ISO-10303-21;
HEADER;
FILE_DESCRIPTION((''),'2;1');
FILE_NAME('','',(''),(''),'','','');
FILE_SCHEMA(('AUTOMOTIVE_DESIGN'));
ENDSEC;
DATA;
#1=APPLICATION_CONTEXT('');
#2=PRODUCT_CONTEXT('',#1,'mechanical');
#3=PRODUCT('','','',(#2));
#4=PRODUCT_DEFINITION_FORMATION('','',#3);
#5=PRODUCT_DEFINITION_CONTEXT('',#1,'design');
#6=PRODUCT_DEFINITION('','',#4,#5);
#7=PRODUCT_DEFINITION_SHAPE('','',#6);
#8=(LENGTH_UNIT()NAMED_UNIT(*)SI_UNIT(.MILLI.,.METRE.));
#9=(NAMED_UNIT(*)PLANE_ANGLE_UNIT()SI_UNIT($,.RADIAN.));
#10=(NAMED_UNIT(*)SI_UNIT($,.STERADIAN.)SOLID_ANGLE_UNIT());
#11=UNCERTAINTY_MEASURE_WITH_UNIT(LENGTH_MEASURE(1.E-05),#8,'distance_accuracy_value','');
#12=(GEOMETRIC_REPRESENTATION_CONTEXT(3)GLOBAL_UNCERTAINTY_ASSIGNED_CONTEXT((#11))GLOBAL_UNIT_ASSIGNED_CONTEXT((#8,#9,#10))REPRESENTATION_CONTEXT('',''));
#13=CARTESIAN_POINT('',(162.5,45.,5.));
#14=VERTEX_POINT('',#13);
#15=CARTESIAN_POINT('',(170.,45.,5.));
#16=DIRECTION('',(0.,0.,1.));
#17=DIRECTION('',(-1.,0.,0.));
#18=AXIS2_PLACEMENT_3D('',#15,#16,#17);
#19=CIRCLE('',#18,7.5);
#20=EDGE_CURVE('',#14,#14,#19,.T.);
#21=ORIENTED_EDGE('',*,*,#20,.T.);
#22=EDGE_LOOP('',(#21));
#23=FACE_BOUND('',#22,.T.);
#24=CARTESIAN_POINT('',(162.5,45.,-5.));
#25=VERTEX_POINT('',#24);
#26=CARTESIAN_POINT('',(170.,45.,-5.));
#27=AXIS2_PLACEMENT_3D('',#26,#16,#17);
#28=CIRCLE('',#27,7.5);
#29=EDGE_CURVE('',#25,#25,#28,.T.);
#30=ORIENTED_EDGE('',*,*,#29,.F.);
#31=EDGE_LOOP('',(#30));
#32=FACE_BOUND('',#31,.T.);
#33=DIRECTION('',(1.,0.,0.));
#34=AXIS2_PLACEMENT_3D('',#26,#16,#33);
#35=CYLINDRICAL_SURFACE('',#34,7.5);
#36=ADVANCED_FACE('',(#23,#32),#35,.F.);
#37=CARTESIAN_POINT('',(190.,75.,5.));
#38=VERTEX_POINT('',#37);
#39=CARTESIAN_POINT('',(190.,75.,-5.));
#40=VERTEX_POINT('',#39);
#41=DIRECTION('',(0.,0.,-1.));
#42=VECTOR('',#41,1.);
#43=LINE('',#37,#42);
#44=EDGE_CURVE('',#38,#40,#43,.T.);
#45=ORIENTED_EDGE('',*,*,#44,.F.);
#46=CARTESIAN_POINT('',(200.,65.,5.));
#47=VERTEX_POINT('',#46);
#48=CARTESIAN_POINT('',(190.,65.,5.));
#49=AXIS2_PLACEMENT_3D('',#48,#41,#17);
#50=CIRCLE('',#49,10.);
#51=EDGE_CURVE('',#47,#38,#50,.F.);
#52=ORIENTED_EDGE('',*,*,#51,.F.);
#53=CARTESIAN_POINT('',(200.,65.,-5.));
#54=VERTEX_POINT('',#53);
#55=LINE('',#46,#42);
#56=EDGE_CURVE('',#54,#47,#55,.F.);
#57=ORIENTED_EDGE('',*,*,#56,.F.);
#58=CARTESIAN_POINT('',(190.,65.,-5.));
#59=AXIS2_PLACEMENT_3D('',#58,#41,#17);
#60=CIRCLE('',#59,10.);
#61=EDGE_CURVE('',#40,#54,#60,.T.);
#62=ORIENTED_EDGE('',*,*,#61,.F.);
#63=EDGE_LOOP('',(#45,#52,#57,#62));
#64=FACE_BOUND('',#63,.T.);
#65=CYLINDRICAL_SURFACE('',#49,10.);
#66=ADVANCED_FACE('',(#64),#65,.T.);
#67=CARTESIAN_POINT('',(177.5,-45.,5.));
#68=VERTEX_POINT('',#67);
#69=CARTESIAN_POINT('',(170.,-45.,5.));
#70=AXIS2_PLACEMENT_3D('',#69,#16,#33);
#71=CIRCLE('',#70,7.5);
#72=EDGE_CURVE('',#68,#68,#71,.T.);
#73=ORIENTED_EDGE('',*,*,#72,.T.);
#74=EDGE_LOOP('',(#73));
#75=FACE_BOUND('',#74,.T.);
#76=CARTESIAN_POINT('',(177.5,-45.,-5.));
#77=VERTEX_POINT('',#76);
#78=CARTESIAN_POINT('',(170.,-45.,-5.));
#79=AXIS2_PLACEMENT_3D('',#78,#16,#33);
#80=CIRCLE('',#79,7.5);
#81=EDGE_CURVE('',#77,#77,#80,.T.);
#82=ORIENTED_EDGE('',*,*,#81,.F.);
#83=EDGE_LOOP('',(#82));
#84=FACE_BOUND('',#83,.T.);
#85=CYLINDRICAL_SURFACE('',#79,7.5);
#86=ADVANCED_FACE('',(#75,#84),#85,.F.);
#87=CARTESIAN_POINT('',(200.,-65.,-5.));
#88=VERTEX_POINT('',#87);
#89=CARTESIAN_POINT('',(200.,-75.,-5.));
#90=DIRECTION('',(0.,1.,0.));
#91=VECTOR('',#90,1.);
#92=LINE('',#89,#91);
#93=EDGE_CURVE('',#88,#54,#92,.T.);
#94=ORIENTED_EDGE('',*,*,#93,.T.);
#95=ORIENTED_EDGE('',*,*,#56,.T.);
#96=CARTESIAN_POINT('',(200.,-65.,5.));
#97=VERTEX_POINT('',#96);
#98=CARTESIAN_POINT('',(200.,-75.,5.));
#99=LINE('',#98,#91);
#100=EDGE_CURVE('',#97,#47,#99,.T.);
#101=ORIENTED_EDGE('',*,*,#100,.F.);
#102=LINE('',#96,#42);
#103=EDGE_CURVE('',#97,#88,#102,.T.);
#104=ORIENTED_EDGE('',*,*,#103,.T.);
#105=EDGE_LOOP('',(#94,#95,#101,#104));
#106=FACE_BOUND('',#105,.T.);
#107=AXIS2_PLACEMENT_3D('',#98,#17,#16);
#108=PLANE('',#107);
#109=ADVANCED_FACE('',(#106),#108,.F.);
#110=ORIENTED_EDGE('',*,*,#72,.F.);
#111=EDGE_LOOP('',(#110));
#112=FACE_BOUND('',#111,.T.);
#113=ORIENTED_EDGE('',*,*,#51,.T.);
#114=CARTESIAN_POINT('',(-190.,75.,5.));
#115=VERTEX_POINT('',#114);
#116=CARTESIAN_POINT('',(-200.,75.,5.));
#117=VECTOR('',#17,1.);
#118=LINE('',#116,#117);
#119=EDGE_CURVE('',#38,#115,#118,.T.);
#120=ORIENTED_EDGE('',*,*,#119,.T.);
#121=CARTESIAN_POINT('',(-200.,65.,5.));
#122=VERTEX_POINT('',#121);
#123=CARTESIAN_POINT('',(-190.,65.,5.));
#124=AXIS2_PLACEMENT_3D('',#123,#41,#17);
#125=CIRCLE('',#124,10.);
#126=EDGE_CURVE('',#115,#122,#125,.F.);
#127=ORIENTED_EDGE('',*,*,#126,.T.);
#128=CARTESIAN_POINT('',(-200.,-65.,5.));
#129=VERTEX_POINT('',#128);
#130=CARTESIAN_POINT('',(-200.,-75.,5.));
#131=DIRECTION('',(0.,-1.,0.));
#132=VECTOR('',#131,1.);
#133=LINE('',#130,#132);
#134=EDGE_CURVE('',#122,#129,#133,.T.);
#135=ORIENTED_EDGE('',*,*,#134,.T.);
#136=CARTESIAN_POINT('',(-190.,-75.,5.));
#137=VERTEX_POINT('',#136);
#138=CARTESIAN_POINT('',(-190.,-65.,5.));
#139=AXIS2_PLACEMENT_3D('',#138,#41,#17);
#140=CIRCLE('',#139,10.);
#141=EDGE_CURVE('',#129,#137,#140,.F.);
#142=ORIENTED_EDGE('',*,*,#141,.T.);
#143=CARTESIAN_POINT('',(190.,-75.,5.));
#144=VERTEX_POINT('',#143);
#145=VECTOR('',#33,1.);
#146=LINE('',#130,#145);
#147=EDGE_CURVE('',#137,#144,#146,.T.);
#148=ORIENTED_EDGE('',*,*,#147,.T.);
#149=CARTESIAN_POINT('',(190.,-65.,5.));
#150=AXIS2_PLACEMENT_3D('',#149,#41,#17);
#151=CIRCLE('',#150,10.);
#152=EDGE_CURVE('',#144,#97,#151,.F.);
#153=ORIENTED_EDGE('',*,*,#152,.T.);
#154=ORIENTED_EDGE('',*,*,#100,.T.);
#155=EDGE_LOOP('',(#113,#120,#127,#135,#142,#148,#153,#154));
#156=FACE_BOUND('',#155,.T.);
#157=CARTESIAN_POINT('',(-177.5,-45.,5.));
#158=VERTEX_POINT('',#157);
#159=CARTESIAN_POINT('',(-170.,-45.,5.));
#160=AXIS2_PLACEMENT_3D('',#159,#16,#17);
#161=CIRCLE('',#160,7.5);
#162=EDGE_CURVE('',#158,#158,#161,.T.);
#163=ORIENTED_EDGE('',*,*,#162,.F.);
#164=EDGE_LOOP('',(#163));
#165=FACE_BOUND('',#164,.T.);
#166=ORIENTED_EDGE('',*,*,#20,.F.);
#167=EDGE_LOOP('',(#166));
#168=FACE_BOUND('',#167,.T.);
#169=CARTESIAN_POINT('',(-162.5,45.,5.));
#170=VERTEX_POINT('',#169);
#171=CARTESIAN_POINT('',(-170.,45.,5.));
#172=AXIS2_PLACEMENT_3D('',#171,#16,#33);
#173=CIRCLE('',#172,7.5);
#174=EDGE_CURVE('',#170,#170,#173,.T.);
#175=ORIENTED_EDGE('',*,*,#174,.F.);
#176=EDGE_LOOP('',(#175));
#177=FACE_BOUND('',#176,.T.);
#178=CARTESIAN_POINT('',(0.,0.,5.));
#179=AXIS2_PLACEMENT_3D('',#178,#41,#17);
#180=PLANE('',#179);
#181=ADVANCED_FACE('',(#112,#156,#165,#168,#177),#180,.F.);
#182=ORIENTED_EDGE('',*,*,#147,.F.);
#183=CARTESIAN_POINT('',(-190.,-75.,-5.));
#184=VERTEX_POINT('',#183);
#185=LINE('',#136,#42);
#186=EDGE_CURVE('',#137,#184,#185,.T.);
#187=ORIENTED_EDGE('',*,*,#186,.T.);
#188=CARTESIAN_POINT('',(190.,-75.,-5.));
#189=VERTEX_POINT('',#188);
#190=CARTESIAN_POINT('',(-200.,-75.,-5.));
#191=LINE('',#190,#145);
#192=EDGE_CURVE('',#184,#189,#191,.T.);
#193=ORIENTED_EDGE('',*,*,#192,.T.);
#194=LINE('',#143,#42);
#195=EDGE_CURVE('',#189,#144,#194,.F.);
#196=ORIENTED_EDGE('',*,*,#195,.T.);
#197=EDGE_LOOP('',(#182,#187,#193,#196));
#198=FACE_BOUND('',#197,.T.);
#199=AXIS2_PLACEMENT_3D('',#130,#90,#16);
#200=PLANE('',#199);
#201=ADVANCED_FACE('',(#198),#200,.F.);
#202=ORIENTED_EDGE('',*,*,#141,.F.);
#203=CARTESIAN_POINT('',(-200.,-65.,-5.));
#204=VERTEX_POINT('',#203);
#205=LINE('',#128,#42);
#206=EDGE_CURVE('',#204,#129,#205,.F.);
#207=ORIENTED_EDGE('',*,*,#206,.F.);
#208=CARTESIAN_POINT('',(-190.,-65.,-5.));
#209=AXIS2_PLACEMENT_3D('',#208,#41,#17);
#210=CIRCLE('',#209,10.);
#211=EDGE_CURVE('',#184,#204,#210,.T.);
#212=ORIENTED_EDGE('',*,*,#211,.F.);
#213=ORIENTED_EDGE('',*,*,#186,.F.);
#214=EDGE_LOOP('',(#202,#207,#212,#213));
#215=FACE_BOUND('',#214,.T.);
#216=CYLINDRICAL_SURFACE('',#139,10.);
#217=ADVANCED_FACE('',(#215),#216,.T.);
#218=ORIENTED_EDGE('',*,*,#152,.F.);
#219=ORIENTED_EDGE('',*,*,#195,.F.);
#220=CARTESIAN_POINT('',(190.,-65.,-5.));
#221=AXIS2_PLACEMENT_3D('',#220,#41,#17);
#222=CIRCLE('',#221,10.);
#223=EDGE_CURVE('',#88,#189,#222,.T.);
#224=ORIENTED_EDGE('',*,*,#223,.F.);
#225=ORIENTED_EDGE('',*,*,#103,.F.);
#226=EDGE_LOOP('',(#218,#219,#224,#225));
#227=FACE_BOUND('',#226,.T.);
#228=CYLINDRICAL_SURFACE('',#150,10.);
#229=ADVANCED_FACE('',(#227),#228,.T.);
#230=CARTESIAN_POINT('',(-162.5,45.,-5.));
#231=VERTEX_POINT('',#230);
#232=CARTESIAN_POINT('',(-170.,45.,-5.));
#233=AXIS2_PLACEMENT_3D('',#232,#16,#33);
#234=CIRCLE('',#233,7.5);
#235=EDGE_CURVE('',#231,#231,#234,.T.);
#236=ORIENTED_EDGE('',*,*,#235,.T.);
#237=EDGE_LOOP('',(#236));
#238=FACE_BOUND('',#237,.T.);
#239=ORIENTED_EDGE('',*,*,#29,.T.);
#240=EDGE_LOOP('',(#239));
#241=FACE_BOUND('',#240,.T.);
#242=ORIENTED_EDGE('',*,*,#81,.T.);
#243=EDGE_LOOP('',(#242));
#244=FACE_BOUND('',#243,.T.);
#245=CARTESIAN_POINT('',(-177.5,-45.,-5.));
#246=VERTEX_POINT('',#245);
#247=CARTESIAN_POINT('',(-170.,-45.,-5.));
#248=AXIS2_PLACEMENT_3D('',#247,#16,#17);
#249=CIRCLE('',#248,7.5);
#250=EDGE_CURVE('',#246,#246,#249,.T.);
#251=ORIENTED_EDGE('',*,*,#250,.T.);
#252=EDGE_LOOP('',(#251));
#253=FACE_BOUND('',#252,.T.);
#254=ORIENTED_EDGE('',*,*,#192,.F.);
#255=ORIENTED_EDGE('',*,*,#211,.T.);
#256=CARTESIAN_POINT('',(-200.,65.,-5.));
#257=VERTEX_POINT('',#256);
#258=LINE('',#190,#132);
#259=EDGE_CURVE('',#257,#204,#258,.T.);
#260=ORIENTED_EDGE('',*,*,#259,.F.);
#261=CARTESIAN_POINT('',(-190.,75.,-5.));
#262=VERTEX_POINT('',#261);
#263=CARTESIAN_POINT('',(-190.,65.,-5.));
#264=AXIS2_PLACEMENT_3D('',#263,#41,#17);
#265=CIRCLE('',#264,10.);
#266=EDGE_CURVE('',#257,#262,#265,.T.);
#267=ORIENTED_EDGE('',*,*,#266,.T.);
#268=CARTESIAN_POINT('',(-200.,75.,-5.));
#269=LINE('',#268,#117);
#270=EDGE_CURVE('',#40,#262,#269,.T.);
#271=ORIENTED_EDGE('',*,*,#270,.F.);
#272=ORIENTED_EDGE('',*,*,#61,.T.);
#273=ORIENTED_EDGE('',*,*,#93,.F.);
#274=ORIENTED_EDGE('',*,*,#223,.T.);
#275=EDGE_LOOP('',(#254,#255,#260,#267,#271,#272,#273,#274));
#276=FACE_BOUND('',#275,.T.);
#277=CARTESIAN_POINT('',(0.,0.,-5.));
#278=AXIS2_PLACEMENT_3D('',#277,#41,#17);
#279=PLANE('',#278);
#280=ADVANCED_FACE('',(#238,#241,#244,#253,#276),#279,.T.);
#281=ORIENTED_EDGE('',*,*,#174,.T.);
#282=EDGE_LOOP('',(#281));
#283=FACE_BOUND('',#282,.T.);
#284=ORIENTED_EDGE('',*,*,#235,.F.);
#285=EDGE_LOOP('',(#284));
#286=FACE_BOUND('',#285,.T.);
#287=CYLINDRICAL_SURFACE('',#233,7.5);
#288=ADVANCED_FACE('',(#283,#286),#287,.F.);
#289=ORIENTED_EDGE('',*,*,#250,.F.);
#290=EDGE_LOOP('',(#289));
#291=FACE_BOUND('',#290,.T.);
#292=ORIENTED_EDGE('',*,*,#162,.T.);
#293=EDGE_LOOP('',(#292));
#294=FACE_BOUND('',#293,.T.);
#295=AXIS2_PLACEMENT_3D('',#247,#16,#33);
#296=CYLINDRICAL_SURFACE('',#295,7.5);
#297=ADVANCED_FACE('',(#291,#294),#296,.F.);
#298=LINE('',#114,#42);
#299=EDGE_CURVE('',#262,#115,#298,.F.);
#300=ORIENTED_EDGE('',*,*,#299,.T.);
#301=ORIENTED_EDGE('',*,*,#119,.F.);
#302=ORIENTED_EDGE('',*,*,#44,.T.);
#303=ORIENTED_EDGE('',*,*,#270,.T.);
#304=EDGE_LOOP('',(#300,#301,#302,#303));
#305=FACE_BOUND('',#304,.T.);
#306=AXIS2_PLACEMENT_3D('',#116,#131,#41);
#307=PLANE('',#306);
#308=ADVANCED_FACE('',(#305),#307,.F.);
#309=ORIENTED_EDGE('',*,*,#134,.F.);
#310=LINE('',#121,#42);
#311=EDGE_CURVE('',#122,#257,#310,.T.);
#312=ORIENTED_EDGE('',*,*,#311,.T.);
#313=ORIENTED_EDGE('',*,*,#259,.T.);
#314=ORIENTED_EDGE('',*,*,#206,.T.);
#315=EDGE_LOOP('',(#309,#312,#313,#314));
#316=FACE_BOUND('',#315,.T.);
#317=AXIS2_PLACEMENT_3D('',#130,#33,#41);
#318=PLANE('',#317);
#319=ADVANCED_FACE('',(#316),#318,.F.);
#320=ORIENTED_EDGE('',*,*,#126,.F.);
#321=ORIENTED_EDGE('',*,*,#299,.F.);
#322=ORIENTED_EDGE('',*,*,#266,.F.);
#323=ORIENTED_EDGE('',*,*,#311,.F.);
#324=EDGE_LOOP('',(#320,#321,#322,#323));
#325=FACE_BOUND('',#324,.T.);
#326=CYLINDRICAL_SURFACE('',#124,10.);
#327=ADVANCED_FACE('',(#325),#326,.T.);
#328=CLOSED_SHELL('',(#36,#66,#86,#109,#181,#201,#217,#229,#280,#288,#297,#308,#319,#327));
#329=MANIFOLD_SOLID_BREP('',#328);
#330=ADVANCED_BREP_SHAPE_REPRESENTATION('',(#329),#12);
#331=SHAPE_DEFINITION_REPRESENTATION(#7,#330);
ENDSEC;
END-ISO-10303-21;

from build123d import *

# Parameters (mm, degrees)
SKETCH_1_W          = 400
SKETCH_1_H          = 150
EXTRUDE_1_DEPTH     = 5
SKETCH_2_R          = 7.5
CUT_EXTRUDE_1_DEPTH = 214.834047803
FILLET_1_R          = 10


with BuildPart() as part:
    # Эскиз1 → Бобышка-Вытянуть1 (new, symmetric)
    with BuildSketch(Plane.XY):
        Rectangle(SKETCH_1_W, SKETCH_1_H)
    extrude(amount=EXTRUDE_1_DEPTH, both=True)

    # Эскиз2 → Вырез-Вытянуть1 (cut, through all)
    with BuildSketch(Plane.XY.offset(5)):
        with Locations((-170, 45)):
            Circle(SKETCH_2_R)
        with Locations(Location((-170, -45, 0), (0, 0, 180))):
            Circle(SKETCH_2_R)
        with Locations((170, -45)):
            Circle(SKETCH_2_R)
        with Locations(Location((170, 45, 0), (0, 0, 180))):
            Circle(SKETCH_2_R)
    extrude(amount=-CUT_EXTRUDE_1_DEPTH, mode=Mode.SUBTRACT)

    # Скругление1
    fillet_1_edges = [part.edges().sort_by_distance(p)[0] for p in [
        (200, -75, 0),
        (-200, -75, 0),
        (-200, 75, 0),
        (200, 75, 0),
    ]]
    fillet(fillet_1_edges, radius=FILLET_1_R)


solid = part.part
